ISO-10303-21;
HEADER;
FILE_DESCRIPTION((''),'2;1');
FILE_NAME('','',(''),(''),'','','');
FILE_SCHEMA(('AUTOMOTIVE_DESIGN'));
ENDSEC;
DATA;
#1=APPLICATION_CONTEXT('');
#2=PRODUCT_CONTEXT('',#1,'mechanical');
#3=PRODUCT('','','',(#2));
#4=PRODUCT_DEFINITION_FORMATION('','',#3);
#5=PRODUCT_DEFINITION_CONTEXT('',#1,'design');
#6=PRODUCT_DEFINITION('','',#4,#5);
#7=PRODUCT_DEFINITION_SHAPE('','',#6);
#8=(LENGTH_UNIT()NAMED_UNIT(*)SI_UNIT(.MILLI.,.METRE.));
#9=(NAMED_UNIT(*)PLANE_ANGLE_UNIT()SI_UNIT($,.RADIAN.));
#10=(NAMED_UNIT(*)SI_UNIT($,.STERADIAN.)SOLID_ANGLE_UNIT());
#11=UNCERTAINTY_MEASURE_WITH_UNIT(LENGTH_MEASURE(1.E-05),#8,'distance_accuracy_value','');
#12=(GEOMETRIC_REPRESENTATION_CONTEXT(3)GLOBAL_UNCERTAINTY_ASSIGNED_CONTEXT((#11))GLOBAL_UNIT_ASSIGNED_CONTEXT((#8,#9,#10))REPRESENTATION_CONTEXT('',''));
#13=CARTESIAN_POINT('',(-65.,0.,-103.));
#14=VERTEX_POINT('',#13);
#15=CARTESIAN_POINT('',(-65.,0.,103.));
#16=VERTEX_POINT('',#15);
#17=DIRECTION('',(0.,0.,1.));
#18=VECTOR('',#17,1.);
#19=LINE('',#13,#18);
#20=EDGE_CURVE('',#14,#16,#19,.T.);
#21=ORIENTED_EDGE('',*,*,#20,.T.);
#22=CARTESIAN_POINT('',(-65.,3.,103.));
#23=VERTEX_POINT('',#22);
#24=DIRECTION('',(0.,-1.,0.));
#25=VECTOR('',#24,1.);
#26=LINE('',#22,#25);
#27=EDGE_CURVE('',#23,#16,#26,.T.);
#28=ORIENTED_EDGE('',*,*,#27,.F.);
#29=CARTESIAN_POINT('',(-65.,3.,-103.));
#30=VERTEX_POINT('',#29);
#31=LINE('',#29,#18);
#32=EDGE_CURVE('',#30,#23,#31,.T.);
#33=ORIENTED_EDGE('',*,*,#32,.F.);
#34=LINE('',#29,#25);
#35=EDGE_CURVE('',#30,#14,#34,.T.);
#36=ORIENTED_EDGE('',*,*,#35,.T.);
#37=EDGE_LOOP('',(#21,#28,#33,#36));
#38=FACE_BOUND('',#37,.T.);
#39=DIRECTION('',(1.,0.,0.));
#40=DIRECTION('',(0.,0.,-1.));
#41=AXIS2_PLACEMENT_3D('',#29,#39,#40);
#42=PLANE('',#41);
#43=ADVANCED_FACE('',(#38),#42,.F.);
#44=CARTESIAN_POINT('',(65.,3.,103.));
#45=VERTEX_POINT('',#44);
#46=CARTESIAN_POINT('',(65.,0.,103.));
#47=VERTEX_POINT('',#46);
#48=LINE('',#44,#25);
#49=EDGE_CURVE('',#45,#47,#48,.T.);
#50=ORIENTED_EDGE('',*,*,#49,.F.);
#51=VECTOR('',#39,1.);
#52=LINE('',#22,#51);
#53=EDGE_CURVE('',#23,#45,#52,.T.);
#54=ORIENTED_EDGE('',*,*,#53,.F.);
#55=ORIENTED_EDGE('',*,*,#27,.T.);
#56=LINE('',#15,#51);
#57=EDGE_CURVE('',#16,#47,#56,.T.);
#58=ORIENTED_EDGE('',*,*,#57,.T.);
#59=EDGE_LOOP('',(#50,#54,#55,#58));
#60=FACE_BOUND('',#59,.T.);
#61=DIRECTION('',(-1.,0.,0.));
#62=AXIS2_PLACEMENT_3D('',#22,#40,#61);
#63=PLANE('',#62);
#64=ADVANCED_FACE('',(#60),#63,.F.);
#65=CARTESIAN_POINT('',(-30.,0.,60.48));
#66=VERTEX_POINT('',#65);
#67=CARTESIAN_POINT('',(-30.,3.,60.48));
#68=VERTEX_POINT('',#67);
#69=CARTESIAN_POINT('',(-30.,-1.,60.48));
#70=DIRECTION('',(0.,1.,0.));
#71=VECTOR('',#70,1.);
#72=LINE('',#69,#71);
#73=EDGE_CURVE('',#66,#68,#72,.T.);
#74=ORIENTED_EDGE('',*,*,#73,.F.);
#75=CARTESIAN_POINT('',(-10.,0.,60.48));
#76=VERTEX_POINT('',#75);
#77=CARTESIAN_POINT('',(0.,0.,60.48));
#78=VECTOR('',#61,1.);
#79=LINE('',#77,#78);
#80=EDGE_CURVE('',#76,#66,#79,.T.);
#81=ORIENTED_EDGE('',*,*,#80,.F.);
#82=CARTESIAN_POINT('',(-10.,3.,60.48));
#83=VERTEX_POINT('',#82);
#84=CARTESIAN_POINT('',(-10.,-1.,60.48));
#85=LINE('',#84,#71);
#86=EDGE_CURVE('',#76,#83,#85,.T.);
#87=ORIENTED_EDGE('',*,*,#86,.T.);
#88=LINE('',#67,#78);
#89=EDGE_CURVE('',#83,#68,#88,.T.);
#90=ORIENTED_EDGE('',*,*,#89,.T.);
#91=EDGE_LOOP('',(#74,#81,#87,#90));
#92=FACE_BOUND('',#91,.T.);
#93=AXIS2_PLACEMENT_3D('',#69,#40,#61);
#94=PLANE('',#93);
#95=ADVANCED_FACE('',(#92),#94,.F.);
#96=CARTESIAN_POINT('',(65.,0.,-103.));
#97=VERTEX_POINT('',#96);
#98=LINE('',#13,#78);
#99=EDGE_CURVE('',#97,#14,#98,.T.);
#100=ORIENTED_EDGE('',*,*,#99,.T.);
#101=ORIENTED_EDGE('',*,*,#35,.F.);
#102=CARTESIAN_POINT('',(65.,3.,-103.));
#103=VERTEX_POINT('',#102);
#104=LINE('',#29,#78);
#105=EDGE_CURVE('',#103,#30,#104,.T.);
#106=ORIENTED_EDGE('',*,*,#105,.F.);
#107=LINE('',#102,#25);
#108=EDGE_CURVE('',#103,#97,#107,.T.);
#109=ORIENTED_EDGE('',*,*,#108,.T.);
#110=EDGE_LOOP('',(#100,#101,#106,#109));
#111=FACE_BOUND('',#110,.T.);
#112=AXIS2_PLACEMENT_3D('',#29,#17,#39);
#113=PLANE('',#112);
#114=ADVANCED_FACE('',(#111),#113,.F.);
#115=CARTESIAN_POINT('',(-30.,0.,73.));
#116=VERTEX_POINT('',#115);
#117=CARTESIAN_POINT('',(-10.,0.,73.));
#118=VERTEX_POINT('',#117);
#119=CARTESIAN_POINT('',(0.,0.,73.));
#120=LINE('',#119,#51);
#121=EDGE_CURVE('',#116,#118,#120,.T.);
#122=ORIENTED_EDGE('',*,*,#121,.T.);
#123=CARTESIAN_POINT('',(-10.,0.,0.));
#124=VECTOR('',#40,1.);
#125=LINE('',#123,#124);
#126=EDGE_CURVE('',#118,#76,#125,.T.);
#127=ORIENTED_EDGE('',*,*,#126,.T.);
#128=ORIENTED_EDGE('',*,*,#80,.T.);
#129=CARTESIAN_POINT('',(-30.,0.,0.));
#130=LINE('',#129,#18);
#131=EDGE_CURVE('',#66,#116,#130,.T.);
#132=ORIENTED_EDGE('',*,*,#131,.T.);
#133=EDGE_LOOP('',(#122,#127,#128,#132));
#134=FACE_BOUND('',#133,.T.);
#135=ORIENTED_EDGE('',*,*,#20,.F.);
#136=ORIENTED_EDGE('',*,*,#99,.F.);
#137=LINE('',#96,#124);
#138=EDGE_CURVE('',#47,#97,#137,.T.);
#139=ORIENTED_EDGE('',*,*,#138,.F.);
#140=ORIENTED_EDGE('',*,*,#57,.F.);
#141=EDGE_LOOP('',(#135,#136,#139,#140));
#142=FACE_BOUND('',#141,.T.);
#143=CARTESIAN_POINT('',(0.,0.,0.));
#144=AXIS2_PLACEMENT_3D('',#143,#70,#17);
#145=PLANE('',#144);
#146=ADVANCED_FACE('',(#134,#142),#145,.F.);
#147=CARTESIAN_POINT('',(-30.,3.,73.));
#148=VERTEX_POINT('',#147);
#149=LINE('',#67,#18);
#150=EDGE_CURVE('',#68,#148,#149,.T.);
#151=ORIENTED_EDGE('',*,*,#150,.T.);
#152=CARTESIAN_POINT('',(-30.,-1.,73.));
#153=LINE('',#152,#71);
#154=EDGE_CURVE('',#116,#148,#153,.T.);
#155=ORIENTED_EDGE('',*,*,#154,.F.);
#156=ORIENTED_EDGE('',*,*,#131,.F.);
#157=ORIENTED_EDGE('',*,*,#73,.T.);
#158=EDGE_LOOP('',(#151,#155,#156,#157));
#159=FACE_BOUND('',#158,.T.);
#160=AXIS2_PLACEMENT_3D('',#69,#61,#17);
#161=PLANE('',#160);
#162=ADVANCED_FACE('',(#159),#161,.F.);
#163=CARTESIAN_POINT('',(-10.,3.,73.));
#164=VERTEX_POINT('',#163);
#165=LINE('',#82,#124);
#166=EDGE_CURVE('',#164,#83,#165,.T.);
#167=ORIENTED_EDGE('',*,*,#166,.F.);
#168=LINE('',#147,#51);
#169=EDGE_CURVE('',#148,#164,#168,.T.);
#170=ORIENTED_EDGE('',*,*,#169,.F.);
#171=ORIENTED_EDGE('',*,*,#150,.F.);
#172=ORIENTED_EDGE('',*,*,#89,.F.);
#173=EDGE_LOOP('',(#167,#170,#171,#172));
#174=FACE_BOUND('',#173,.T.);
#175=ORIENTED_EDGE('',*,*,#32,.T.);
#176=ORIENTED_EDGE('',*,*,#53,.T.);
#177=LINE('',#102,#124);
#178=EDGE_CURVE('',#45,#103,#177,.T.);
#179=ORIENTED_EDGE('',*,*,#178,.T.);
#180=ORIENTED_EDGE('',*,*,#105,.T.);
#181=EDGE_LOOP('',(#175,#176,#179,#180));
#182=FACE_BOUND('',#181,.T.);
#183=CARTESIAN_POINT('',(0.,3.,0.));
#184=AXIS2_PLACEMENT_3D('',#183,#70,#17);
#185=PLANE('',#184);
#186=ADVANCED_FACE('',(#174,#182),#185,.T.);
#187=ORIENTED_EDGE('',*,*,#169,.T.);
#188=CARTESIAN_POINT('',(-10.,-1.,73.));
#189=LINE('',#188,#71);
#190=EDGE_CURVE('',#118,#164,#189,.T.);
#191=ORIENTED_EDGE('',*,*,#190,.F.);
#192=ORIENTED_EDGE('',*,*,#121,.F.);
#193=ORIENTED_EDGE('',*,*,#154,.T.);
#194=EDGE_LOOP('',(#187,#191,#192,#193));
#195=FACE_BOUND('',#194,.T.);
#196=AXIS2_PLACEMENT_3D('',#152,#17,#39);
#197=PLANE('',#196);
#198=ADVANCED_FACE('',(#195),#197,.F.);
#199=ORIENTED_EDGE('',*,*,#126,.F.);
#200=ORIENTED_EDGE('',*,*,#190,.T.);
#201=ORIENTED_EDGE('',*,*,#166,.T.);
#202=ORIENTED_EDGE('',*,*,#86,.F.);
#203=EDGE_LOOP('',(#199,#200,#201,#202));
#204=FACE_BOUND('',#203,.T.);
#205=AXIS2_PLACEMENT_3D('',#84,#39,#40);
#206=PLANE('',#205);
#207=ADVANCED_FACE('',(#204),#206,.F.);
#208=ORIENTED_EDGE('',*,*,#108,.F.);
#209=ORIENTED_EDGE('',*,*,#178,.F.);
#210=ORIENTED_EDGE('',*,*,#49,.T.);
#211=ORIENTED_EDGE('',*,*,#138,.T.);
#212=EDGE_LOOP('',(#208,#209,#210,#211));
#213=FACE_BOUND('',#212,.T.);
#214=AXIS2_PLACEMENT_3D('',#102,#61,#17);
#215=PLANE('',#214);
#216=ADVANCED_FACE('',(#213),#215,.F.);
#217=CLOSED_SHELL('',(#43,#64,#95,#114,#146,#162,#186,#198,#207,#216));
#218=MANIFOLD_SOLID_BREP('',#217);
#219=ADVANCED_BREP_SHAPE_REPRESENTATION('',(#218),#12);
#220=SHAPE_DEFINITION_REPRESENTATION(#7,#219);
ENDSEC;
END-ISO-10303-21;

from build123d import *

# Parameters (mm, degrees)
SKETCH1_W           = 130
SKETCH1_H           = 206
BOSS_EXTRUDE1_DEPTH = 3
SKETCH3_W           = 20
SKETCH3_H           = 12.52
CUT_EXTRUDE1_DEPTH  = 4


with BuildPart() as part:
    # Sketch1 → Boss-Extrude1 (new body)
    with BuildSketch(Plane(origin=(0, 0, 0), x_dir=(1, 0, 0), z_dir=(0, 1, 0))):
        Rectangle(SKETCH1_W, SKETCH1_H)
    extrude(amount=BOSS_EXTRUDE1_DEPTH)

    # Sketch3 → Cut-Extrude1 (cut)
    with BuildSketch(Plane(origin=(0, 3, 0), x_dir=(1, 0, 0), z_dir=(0, 1, 0))):
        with Locations((-20, -66.74)):
            Rectangle(SKETCH3_W, SKETCH3_H)
    extrude(amount=-CUT_EXTRUDE1_DEPTH, mode=Mode.SUBTRACT)


solid = part.part
